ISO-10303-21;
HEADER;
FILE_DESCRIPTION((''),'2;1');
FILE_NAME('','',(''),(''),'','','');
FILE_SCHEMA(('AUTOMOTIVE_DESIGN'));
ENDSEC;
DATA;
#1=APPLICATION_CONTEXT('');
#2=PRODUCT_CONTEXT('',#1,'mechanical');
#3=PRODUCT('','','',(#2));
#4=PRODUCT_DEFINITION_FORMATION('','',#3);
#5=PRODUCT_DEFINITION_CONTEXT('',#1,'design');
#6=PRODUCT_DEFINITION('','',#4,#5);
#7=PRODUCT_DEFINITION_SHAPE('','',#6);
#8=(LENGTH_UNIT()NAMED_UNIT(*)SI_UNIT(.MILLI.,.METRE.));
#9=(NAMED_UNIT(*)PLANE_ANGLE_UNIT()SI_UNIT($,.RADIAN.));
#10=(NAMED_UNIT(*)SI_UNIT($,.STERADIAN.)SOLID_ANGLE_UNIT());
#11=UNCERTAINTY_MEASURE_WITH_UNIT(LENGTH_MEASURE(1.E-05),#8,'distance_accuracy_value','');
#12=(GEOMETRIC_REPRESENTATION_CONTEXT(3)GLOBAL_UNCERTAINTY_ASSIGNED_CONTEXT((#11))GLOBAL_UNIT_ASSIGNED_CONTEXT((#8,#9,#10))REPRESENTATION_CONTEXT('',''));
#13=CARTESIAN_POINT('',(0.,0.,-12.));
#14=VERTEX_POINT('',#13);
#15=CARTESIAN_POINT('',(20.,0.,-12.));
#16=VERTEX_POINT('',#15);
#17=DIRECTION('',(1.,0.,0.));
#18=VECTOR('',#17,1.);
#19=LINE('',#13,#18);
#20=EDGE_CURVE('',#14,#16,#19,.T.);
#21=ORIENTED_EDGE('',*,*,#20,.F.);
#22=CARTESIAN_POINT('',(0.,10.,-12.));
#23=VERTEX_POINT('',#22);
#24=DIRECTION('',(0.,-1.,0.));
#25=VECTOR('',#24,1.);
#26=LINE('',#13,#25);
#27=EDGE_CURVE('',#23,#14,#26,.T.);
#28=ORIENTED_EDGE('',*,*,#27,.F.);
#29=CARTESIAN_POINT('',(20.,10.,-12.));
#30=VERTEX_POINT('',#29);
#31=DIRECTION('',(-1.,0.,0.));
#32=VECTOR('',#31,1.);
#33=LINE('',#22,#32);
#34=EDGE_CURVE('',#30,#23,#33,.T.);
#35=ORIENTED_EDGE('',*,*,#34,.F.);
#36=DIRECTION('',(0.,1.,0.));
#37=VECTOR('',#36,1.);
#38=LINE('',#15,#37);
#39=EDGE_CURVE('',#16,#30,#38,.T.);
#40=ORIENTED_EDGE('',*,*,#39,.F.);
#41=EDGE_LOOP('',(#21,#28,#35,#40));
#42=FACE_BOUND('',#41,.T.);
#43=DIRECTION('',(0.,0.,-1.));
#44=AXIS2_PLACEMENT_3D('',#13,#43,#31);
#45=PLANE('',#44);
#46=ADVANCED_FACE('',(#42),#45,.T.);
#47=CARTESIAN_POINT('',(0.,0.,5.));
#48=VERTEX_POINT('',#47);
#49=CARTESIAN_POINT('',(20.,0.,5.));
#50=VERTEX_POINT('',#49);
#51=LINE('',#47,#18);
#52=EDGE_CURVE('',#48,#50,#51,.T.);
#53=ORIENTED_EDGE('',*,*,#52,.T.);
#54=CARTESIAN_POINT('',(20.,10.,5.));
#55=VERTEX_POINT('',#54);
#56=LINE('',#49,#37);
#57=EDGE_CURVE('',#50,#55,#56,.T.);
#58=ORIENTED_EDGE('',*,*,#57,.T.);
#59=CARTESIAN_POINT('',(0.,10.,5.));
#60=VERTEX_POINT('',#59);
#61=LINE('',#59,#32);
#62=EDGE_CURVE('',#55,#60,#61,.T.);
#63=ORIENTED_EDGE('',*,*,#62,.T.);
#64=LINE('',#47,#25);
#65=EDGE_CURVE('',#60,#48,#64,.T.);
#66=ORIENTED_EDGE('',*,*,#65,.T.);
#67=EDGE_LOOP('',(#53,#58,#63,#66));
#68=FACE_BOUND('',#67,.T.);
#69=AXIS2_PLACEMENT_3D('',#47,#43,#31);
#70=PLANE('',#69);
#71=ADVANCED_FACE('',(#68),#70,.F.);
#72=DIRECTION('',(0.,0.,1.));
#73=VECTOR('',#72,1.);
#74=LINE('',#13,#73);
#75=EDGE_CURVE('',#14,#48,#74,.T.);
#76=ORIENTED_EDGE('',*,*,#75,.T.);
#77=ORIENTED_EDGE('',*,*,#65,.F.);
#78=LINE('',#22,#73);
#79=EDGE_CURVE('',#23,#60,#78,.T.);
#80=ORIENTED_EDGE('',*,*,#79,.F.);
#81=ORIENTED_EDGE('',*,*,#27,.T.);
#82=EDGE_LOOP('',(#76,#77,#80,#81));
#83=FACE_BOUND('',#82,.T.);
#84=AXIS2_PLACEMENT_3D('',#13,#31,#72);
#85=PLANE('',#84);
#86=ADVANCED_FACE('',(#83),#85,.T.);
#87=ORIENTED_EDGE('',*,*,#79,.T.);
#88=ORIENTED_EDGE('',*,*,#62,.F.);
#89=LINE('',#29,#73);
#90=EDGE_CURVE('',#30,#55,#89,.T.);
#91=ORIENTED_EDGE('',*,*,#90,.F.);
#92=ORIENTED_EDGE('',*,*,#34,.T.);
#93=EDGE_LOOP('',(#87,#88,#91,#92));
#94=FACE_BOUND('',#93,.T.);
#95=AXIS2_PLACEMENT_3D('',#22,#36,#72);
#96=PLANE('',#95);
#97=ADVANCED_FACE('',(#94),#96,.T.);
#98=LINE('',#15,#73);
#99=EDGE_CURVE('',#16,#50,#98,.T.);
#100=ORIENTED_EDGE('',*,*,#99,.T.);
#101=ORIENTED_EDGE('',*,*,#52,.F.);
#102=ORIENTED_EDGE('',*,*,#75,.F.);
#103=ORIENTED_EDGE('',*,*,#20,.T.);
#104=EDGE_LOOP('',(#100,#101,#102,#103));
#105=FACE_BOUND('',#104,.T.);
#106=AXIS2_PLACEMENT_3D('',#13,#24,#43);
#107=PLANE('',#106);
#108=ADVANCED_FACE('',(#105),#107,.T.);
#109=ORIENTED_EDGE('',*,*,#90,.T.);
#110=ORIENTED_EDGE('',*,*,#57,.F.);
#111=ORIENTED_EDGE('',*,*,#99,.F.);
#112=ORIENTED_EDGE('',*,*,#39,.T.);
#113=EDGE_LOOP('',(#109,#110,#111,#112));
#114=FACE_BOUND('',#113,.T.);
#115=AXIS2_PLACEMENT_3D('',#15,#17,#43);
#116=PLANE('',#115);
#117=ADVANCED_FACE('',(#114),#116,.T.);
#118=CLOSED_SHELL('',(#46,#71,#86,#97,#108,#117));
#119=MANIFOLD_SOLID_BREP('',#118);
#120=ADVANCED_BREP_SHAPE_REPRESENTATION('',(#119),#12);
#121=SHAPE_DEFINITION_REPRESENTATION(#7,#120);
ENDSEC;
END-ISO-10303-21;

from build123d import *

# Parameters (mm, degrees)
BOSS_EXTRUDE1_DEPTH      = 5
BOSS_EXTRUDE1_DEPTH_BACK = 12
SKETCH1_W                = 20
SKETCH1_H                = 10


with BuildPart() as part:
    # Sketch1 → Boss-Extrude1 (new, two sides: drawn at the far end of the back side and taken through both)
    with BuildSketch(Plane.XY.offset(-BOSS_EXTRUDE1_DEPTH_BACK)):
        with Locations((10, 5)):
            Rectangle(SKETCH1_W, SKETCH1_H)
    extrude(amount=BOSS_EXTRUDE1_DEPTH + BOSS_EXTRUDE1_DEPTH_BACK)


solid = part.part
